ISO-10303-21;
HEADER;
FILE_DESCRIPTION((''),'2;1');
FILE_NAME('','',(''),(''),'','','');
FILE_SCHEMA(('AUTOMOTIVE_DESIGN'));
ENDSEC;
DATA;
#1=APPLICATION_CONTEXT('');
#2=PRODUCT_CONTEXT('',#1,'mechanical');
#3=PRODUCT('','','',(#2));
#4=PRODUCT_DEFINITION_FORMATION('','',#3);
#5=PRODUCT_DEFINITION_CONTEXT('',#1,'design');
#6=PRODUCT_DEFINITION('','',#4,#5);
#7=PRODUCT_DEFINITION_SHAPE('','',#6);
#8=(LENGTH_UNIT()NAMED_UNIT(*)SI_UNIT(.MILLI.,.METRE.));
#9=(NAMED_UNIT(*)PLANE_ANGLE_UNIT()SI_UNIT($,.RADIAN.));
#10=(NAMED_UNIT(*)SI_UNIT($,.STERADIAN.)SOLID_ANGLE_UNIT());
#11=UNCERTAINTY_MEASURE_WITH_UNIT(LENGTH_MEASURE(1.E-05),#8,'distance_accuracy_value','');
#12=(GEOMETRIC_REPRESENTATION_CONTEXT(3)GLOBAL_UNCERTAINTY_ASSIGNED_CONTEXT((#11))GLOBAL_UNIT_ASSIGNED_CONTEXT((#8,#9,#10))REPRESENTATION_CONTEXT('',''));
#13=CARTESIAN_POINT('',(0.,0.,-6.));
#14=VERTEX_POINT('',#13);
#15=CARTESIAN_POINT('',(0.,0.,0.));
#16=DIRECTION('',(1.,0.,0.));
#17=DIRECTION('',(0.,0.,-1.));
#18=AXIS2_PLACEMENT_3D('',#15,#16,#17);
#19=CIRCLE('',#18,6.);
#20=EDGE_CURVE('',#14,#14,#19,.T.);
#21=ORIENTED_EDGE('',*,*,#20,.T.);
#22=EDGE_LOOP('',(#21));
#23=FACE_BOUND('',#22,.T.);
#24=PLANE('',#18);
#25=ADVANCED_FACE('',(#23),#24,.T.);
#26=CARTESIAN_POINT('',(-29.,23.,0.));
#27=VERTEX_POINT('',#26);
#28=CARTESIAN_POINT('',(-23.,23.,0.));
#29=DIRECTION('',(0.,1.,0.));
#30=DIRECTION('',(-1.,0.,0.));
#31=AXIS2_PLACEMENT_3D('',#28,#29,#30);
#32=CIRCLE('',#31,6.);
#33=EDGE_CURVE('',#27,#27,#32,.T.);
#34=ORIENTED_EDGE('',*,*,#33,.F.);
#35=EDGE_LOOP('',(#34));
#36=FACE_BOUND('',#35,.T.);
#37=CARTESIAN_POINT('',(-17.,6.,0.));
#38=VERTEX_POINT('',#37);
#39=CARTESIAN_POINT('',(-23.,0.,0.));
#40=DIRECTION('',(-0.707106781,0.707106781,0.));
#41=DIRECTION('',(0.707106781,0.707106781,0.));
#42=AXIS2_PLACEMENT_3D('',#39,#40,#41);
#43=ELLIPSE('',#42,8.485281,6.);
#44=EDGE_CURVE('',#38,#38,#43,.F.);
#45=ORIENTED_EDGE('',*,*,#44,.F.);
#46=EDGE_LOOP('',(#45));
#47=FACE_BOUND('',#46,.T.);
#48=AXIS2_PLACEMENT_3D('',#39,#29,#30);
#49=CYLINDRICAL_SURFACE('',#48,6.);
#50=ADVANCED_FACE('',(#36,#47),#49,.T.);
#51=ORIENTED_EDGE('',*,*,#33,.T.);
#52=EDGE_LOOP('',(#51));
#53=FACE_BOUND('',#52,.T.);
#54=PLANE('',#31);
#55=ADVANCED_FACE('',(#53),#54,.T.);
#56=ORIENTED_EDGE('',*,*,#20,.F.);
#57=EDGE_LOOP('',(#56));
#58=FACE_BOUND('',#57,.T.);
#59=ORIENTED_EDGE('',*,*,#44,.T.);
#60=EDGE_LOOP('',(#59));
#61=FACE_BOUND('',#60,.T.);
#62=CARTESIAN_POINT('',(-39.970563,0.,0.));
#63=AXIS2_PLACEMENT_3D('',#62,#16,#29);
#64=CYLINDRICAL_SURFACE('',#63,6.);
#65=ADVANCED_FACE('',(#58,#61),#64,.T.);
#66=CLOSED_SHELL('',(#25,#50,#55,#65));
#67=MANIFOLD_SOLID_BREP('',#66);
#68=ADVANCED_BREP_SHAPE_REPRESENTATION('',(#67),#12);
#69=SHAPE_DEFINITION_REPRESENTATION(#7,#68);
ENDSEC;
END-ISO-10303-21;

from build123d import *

# Parameters (mm, degrees)
SKETCH1_R = 6


with BuildPart() as part:
    # Sweep1: sweep along a path in Sketch2
    with BuildLine(Plane.XY) as sweep1_path:
        Line((0, 0), (-23, 0))
        Line((-23, 0), (-23, 23))
    # Sketch1 → Sweep1 (sweep)
    with BuildSketch(Plane(origin=(0, 0, 0), x_dir=(0, 0, -1), z_dir=(1, 0, 0))):
        Circle(SKETCH1_R)
    sweep(path=sweep1_path.line, transition=Transition.RIGHT)


solid = part.part
